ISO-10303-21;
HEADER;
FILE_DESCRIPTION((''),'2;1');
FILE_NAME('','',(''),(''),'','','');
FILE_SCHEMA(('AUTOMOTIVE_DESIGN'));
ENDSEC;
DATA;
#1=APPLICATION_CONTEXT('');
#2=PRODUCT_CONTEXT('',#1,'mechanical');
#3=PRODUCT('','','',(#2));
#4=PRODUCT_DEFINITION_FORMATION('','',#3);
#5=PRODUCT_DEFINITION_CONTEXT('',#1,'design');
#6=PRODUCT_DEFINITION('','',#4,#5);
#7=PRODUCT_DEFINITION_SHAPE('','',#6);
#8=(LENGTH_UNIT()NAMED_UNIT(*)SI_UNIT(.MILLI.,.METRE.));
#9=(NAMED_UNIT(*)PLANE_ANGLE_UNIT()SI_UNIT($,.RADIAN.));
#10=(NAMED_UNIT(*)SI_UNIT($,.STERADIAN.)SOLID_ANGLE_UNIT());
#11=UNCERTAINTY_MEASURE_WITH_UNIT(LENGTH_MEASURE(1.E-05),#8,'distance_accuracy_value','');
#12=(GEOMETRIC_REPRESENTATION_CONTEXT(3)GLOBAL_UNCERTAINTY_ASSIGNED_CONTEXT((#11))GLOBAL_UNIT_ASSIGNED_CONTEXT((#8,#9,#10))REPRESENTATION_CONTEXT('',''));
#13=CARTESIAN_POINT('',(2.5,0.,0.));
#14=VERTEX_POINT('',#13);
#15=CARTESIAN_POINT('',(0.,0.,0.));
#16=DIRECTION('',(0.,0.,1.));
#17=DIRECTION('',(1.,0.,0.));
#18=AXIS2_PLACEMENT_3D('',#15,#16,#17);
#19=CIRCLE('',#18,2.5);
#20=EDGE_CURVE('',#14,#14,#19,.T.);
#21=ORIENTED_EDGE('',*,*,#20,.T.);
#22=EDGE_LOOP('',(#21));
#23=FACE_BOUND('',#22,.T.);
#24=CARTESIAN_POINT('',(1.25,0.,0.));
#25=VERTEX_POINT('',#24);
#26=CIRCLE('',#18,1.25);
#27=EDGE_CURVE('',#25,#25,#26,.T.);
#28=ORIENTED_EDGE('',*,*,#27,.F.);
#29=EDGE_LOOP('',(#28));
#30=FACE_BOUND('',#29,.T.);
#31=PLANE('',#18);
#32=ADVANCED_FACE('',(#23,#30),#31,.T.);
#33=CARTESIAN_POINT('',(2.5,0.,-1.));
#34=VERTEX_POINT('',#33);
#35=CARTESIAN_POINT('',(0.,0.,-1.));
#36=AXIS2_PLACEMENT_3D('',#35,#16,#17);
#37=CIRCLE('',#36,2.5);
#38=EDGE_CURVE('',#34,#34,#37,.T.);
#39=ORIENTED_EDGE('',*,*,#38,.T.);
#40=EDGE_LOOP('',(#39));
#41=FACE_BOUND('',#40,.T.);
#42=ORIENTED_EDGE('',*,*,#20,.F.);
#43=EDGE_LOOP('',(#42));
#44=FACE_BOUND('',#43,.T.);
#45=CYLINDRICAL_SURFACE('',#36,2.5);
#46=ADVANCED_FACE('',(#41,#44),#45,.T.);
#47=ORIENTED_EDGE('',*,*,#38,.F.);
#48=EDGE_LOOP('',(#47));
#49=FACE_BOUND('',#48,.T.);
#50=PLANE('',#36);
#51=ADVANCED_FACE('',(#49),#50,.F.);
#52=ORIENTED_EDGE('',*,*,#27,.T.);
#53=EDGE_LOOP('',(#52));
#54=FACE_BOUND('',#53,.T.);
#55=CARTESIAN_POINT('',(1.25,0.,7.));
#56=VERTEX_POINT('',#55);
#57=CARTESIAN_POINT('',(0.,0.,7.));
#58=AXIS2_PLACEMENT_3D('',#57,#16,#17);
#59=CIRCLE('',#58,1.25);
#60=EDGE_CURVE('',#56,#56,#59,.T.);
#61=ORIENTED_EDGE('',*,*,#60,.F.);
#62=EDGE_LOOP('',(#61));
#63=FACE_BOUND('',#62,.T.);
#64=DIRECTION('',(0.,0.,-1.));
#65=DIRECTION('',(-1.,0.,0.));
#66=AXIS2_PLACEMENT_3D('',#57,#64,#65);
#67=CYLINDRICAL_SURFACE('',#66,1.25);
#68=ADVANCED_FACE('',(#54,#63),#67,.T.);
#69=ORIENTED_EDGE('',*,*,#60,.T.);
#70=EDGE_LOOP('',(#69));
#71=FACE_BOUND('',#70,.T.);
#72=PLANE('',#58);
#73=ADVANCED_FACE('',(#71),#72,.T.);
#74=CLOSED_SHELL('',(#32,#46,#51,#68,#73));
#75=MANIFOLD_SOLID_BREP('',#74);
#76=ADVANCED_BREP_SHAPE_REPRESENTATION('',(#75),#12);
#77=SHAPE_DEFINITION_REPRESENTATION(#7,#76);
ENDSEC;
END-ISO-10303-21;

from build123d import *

# Parameters (mm, degrees)
SKETCH1_R           = 1.25
BOSS_EXTRUDE1_DEPTH = 7
SKETCH2_R           = 2.5
BOSS_EXTRUDE2_DEPTH = 1


with BuildPart() as part:
    # Sketch1 → Boss-Extrude1 (new body)
    with BuildSketch(Plane.XY):
        Circle(SKETCH1_R)
    extrude(amount=BOSS_EXTRUDE1_DEPTH)

    # Sketch2 → Boss-Extrude2 (add)
    with BuildSketch(Plane.XY):
        Circle(SKETCH2_R)
    extrude(amount=-BOSS_EXTRUDE2_DEPTH)


solid = part.part
